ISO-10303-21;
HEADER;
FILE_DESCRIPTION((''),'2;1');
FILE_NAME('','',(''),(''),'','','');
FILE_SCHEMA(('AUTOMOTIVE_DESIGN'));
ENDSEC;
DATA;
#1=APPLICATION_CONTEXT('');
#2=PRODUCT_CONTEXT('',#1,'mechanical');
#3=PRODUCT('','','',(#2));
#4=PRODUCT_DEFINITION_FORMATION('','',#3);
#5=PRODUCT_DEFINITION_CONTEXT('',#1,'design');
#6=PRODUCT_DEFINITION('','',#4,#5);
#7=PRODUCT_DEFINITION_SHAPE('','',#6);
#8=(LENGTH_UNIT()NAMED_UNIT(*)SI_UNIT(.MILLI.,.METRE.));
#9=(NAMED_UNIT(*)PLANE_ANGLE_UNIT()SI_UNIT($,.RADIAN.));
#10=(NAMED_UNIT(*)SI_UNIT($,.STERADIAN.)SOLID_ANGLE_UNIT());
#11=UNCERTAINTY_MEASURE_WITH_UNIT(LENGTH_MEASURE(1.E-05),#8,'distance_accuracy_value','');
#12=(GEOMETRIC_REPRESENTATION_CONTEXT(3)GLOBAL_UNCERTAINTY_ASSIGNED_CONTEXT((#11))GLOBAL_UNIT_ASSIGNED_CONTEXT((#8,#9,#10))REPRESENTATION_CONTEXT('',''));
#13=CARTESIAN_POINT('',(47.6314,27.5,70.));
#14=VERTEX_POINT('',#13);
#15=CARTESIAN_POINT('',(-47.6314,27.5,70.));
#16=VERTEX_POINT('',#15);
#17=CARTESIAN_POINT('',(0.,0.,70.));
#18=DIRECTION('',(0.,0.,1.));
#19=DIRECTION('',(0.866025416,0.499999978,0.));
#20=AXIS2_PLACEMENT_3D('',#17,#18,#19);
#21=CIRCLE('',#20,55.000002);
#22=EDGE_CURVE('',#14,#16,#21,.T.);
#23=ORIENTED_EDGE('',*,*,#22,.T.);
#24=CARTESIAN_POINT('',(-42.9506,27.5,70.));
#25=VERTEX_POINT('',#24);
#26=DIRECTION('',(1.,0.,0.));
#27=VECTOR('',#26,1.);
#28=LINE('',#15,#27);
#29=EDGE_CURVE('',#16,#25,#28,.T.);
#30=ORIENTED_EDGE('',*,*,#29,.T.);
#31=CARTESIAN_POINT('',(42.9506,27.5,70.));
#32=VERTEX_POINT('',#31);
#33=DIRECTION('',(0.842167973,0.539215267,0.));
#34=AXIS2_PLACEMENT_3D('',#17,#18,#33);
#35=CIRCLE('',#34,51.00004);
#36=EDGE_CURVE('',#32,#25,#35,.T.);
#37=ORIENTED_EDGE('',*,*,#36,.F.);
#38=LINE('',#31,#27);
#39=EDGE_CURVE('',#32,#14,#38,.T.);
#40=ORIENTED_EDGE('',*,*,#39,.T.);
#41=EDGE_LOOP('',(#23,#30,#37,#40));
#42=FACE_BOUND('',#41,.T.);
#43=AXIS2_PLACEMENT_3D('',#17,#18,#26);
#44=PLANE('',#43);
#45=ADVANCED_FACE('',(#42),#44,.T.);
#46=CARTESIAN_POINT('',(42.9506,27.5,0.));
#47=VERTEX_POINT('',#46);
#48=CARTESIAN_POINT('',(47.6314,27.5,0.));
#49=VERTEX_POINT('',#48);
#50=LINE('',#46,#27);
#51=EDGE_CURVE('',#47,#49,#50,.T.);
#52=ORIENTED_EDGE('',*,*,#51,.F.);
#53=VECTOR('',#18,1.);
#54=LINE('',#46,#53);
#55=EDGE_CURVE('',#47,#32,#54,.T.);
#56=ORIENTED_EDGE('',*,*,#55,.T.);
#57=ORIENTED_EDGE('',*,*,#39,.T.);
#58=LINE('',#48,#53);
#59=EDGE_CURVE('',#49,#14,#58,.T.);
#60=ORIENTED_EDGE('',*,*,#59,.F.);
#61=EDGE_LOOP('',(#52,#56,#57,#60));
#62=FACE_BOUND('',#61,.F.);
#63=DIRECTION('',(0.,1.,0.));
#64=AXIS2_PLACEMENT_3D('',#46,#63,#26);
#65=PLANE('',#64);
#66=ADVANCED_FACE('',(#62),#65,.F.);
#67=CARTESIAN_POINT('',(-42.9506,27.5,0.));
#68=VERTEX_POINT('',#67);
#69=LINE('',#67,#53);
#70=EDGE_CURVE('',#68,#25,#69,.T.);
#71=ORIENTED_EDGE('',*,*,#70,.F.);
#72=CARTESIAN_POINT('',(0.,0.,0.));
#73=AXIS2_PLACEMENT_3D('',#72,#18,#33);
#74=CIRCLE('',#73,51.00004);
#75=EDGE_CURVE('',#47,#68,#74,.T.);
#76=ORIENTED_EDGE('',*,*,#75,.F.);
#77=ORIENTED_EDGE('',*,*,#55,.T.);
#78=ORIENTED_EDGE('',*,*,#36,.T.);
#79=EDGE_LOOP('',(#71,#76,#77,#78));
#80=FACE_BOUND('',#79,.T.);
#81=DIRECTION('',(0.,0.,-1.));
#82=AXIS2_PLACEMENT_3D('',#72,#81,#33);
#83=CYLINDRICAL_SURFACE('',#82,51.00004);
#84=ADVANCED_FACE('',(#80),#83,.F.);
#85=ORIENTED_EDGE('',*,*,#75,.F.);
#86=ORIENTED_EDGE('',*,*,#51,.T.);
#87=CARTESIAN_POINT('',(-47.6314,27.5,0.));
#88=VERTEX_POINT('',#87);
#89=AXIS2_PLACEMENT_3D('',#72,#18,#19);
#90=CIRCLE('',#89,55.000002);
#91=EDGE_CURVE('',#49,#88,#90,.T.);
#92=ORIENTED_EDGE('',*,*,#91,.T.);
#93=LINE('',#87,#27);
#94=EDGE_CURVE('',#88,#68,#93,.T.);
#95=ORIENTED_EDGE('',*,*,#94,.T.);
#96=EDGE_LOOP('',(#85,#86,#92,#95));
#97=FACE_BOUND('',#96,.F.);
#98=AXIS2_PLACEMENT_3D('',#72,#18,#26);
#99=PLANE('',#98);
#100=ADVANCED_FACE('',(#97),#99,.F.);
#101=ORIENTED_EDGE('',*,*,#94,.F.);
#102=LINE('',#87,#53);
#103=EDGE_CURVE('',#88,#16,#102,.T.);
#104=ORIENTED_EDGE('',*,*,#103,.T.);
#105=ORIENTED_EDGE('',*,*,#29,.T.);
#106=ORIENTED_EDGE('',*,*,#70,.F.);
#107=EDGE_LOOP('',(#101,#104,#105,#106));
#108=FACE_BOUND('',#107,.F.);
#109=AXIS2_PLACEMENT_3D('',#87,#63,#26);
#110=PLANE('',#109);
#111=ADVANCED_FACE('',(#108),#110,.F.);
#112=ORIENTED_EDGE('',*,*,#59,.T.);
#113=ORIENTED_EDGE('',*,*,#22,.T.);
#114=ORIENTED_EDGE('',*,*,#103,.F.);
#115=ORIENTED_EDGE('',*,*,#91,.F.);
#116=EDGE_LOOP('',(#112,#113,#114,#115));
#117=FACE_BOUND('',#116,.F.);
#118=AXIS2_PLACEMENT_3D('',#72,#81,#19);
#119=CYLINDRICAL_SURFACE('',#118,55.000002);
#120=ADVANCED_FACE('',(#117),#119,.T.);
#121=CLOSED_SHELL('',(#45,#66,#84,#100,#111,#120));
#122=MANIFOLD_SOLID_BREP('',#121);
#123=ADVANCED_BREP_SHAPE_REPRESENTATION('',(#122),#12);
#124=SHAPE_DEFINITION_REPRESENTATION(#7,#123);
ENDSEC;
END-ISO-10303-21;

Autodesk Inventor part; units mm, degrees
ref_plane "YZ Plane" through (0, 0, 0) normal (1, 0, 0) x (0, 1, 0)
ref_plane "XZ Plane" through (0, 0, 0) normal (0, 1, 0) x (-1, 0, 0)
ref_plane "XY Plane" through (0, 0, 0) normal (0, 0, 1) x (1, 0, 0)
sketch "スケッチ2" plane through (0, 0, 0) normal (0, 0, 1) x (1, 0, 0)
  line L0 (0, 0) -> (47.6314, 27.5) construction
  line L1 (0, 0) -> (55, 0) construction
  line L2 (0, 0) -> (-47.6314, 27.5) construction
  line L3 (0, 0) -> (55, 0) construction
  line L4 (0, 0) -> (47.6314, -27.5) construction
  line L5 (0, 0) -> (55, 0) construction
  line L6 (0, 0) -> (-47.6314, -27.5) construction
  line L7 (0, 0) -> (55, 0) construction
  arc A0 (42.9506, -27.5) -> (44.1673, -25.5) centre (0, 0) ccw
  line L8 (-47.6314, 27.5) -> (-42.9506, 27.5)
  line L9 (42.9506, 27.5) -> (47.6314, 27.5)
  arc A1 (47.6314, 27.5) -> (-47.6314, 27.5) centre (0, 0) ccw
  arc A2 (42.9506, 27.5) -> (-42.9506, 27.5) centre (0, 0) ccw
  arc A3 (42.9506, -27.5) -> (44.1673, -25.5) centre (0, 0) ccw
  dimension "d8" = 30
  dimension "d9" = 150
  dimension "d10" = 30
  dimension "d11" = 150
  dimension "d13" = 51
extrude "押し出し2" add sketch "スケッチ2" along normal blind 70
properties part number "outsideCover2" material "ガラス"
